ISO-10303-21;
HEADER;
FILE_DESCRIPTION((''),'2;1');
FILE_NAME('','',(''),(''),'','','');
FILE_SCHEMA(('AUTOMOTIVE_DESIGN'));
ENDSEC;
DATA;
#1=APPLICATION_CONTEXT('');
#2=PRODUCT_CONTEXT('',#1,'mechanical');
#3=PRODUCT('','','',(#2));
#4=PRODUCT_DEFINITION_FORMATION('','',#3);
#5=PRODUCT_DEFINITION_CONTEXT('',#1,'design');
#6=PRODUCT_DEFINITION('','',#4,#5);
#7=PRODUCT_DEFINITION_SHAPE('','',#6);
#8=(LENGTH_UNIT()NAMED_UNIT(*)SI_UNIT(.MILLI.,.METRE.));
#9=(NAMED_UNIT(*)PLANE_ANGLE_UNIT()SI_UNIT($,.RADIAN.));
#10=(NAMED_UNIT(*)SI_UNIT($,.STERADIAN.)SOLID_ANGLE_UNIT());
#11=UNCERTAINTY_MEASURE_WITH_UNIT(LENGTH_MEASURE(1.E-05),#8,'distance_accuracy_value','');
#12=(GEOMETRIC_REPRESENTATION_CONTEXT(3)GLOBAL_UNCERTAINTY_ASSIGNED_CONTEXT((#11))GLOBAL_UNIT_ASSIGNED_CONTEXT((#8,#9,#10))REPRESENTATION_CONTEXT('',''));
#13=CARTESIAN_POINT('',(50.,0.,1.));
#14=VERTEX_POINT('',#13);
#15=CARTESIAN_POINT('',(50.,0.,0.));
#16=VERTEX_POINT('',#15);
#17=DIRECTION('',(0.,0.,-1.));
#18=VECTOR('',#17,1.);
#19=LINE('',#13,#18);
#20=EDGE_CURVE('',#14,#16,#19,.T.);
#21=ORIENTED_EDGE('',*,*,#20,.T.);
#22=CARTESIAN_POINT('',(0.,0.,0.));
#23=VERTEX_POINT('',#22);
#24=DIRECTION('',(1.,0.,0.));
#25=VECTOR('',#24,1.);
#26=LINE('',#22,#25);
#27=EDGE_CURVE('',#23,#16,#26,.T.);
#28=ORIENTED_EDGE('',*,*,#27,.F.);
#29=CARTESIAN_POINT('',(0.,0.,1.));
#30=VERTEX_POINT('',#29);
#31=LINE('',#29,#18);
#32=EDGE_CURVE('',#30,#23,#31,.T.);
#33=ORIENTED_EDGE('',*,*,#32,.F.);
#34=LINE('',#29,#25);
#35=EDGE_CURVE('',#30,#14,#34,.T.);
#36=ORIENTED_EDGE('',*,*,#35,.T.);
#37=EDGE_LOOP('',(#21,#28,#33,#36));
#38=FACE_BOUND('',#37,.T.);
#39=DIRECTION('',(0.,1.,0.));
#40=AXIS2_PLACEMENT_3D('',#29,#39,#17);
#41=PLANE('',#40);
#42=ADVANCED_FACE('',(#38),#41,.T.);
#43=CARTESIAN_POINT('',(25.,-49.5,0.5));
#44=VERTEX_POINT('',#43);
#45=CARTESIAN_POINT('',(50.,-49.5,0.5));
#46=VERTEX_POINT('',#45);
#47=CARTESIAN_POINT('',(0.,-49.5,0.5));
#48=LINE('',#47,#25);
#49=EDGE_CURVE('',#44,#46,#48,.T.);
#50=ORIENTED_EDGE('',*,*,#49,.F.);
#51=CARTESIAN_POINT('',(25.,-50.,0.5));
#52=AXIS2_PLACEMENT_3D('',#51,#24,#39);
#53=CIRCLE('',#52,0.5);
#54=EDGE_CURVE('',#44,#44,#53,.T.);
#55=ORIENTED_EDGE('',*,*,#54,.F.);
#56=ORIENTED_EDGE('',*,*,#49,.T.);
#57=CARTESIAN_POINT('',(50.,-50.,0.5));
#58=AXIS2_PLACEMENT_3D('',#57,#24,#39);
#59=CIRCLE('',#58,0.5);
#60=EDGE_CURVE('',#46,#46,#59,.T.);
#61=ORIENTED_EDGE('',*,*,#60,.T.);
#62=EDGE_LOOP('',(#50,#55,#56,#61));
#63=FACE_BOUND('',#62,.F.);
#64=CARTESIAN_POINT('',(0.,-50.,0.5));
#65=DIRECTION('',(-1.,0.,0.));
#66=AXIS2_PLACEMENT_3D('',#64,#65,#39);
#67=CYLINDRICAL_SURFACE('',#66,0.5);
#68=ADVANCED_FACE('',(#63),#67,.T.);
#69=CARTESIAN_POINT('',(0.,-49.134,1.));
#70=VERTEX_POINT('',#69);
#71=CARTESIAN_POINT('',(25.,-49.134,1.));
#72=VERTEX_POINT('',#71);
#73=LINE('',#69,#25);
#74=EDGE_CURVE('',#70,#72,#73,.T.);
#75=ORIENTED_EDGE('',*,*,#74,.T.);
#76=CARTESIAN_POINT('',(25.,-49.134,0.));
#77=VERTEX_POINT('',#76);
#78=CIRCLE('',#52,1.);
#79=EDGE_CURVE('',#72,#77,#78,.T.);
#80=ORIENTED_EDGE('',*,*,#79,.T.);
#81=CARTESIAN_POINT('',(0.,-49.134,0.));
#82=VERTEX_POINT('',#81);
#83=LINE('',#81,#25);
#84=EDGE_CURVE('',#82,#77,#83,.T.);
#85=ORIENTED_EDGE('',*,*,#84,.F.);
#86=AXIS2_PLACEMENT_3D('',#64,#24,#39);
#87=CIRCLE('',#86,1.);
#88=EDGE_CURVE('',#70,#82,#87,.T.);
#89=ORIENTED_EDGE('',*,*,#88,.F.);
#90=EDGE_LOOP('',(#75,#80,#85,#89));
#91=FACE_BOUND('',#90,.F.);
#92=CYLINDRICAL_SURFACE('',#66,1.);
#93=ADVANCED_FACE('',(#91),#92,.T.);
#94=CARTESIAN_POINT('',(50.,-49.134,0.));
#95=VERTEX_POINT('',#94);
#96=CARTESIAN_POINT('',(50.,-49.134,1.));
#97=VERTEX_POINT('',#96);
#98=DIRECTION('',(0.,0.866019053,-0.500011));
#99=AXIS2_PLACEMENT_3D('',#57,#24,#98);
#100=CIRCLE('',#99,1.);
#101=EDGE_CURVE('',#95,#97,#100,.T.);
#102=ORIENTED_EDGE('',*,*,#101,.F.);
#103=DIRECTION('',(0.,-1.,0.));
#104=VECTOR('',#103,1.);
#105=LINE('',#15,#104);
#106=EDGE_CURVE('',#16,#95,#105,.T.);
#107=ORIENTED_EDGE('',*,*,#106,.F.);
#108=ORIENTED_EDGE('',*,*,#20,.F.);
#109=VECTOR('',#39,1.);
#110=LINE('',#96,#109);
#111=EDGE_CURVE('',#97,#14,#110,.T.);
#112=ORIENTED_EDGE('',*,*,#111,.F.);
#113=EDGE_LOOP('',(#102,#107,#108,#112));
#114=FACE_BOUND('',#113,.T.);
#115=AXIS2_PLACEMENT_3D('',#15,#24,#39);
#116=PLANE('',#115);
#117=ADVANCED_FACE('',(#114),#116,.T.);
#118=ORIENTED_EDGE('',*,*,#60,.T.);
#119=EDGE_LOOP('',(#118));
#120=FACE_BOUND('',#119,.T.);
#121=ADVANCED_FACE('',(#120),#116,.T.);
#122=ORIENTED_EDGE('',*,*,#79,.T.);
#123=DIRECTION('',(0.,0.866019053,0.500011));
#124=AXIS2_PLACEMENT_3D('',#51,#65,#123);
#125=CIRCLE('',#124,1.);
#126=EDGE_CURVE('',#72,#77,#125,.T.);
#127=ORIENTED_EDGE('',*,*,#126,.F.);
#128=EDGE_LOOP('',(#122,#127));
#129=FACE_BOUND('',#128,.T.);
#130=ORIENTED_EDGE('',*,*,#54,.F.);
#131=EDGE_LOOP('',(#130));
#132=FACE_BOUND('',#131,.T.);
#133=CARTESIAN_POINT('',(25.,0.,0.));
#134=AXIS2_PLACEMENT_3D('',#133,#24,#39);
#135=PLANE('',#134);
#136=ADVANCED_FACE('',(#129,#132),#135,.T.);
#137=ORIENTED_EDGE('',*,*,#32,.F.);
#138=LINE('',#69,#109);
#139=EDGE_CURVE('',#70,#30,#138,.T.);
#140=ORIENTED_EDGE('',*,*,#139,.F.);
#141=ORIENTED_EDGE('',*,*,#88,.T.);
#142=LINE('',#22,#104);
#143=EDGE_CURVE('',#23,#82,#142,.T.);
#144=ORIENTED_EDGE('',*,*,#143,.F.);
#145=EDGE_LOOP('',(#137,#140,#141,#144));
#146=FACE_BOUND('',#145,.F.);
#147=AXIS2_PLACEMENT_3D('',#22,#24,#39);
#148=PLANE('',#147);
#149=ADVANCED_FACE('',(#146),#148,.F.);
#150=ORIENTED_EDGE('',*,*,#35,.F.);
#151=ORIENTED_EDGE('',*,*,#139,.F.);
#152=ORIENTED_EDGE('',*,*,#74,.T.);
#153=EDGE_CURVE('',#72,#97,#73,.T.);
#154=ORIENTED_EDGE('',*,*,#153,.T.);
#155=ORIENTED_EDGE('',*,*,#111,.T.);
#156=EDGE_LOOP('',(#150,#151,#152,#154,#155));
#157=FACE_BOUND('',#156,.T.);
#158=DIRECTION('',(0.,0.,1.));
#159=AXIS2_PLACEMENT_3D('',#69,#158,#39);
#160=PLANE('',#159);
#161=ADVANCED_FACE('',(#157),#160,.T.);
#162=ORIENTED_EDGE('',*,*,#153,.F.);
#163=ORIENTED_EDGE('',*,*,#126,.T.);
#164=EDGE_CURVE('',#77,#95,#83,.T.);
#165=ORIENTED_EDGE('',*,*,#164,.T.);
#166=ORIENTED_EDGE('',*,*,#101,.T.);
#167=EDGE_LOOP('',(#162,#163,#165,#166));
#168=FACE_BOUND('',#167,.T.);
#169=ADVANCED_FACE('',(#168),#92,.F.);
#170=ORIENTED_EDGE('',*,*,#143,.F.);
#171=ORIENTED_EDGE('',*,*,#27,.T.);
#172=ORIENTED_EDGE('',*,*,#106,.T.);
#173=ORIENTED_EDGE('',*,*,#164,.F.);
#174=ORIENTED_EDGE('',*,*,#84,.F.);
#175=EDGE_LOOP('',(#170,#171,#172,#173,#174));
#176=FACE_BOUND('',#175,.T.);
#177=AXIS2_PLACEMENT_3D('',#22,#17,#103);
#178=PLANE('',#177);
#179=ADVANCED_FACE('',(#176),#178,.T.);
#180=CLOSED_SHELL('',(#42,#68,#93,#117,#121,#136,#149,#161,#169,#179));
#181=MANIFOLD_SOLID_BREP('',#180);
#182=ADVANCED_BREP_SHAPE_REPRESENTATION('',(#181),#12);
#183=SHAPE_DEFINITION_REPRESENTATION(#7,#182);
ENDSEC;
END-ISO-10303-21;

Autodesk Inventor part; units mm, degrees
ref_plane "YZ Plane" through (0, 0, 0) normal (1, 0, 0) x (0, 1, 0)
ref_plane "XZ Plane" through (0, 0, 0) normal (0, 1, 0) x (-1, 0, 0)
ref_plane "XY Plane" through (0, 0, 0) normal (0, 0, 1) x (1, 0, 0)
sketch "Szkic1" plane through (0, 0, 0) normal (1, 0, 0) x (0, 1, 0)
  line L0 (0, 0) -> (-49.134, 0)
  line L1 (-49.134, 1) -> (0, 1)
  line L2 (0, 1) -> (0, 0)
  circle A0 centre (-50, 0.5) radius 1
  circle A1 centre (-50, 0.5) radius 0.5
  dimension "d0" = 2
  dimension "d1" = 1
  dimension "d2" = 49.134
  dimension "d3" = 1
extrude "Wyciągnięcie proste1" add sketch "Szkic1" along normal blind 50 contours L0 A0 L1 L2
extrude "Wyciągnięcie proste2" add sketch "Szkic1" along normal blind 50 contours A1
extrude "Wyciągnięcie proste3" add sketch "Szkic1" along normal blind 25 contours A0
properties part number "zawias2"
